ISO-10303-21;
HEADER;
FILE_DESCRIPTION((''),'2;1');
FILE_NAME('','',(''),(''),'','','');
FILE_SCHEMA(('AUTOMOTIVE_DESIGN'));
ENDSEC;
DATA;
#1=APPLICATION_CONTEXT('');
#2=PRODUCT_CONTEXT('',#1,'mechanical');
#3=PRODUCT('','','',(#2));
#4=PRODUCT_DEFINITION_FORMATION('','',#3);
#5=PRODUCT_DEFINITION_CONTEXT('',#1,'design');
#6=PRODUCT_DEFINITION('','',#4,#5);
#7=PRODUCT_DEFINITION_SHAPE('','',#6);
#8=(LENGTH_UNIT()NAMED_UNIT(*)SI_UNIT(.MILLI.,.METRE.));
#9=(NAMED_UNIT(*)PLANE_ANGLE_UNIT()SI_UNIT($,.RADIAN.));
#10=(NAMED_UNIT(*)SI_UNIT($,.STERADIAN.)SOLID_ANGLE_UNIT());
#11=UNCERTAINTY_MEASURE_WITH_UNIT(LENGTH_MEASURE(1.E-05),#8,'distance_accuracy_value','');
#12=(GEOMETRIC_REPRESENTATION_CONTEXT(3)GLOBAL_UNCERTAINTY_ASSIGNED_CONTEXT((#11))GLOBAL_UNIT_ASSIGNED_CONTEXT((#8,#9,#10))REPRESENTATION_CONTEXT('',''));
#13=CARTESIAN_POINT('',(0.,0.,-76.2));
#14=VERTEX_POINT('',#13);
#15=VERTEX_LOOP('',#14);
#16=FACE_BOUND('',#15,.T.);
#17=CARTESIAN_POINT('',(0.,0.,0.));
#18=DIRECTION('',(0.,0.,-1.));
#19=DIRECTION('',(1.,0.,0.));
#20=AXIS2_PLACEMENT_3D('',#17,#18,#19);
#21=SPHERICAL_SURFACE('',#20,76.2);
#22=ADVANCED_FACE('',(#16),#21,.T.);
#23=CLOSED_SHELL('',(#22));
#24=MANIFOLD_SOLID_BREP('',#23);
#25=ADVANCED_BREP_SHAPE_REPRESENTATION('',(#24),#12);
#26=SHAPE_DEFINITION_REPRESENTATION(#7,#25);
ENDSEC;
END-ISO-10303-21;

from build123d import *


with BuildPart() as part:
    # Sketch1 → Revolve1 (revolve)
    with BuildSketch(Plane(origin=(0, 0, 0), x_dir=(1, 0, 0), z_dir=(0, 1, 0))):
        with BuildLine():
            Line((0, 76.2), (0, -76.2))
            ThreePointArc((0, -76.2), (76.2, 0), (0, 76.2))
        make_face()
    revolve(axis=Axis((0, 0, -76.2), (0, 0, 1)))


solid = part.part
